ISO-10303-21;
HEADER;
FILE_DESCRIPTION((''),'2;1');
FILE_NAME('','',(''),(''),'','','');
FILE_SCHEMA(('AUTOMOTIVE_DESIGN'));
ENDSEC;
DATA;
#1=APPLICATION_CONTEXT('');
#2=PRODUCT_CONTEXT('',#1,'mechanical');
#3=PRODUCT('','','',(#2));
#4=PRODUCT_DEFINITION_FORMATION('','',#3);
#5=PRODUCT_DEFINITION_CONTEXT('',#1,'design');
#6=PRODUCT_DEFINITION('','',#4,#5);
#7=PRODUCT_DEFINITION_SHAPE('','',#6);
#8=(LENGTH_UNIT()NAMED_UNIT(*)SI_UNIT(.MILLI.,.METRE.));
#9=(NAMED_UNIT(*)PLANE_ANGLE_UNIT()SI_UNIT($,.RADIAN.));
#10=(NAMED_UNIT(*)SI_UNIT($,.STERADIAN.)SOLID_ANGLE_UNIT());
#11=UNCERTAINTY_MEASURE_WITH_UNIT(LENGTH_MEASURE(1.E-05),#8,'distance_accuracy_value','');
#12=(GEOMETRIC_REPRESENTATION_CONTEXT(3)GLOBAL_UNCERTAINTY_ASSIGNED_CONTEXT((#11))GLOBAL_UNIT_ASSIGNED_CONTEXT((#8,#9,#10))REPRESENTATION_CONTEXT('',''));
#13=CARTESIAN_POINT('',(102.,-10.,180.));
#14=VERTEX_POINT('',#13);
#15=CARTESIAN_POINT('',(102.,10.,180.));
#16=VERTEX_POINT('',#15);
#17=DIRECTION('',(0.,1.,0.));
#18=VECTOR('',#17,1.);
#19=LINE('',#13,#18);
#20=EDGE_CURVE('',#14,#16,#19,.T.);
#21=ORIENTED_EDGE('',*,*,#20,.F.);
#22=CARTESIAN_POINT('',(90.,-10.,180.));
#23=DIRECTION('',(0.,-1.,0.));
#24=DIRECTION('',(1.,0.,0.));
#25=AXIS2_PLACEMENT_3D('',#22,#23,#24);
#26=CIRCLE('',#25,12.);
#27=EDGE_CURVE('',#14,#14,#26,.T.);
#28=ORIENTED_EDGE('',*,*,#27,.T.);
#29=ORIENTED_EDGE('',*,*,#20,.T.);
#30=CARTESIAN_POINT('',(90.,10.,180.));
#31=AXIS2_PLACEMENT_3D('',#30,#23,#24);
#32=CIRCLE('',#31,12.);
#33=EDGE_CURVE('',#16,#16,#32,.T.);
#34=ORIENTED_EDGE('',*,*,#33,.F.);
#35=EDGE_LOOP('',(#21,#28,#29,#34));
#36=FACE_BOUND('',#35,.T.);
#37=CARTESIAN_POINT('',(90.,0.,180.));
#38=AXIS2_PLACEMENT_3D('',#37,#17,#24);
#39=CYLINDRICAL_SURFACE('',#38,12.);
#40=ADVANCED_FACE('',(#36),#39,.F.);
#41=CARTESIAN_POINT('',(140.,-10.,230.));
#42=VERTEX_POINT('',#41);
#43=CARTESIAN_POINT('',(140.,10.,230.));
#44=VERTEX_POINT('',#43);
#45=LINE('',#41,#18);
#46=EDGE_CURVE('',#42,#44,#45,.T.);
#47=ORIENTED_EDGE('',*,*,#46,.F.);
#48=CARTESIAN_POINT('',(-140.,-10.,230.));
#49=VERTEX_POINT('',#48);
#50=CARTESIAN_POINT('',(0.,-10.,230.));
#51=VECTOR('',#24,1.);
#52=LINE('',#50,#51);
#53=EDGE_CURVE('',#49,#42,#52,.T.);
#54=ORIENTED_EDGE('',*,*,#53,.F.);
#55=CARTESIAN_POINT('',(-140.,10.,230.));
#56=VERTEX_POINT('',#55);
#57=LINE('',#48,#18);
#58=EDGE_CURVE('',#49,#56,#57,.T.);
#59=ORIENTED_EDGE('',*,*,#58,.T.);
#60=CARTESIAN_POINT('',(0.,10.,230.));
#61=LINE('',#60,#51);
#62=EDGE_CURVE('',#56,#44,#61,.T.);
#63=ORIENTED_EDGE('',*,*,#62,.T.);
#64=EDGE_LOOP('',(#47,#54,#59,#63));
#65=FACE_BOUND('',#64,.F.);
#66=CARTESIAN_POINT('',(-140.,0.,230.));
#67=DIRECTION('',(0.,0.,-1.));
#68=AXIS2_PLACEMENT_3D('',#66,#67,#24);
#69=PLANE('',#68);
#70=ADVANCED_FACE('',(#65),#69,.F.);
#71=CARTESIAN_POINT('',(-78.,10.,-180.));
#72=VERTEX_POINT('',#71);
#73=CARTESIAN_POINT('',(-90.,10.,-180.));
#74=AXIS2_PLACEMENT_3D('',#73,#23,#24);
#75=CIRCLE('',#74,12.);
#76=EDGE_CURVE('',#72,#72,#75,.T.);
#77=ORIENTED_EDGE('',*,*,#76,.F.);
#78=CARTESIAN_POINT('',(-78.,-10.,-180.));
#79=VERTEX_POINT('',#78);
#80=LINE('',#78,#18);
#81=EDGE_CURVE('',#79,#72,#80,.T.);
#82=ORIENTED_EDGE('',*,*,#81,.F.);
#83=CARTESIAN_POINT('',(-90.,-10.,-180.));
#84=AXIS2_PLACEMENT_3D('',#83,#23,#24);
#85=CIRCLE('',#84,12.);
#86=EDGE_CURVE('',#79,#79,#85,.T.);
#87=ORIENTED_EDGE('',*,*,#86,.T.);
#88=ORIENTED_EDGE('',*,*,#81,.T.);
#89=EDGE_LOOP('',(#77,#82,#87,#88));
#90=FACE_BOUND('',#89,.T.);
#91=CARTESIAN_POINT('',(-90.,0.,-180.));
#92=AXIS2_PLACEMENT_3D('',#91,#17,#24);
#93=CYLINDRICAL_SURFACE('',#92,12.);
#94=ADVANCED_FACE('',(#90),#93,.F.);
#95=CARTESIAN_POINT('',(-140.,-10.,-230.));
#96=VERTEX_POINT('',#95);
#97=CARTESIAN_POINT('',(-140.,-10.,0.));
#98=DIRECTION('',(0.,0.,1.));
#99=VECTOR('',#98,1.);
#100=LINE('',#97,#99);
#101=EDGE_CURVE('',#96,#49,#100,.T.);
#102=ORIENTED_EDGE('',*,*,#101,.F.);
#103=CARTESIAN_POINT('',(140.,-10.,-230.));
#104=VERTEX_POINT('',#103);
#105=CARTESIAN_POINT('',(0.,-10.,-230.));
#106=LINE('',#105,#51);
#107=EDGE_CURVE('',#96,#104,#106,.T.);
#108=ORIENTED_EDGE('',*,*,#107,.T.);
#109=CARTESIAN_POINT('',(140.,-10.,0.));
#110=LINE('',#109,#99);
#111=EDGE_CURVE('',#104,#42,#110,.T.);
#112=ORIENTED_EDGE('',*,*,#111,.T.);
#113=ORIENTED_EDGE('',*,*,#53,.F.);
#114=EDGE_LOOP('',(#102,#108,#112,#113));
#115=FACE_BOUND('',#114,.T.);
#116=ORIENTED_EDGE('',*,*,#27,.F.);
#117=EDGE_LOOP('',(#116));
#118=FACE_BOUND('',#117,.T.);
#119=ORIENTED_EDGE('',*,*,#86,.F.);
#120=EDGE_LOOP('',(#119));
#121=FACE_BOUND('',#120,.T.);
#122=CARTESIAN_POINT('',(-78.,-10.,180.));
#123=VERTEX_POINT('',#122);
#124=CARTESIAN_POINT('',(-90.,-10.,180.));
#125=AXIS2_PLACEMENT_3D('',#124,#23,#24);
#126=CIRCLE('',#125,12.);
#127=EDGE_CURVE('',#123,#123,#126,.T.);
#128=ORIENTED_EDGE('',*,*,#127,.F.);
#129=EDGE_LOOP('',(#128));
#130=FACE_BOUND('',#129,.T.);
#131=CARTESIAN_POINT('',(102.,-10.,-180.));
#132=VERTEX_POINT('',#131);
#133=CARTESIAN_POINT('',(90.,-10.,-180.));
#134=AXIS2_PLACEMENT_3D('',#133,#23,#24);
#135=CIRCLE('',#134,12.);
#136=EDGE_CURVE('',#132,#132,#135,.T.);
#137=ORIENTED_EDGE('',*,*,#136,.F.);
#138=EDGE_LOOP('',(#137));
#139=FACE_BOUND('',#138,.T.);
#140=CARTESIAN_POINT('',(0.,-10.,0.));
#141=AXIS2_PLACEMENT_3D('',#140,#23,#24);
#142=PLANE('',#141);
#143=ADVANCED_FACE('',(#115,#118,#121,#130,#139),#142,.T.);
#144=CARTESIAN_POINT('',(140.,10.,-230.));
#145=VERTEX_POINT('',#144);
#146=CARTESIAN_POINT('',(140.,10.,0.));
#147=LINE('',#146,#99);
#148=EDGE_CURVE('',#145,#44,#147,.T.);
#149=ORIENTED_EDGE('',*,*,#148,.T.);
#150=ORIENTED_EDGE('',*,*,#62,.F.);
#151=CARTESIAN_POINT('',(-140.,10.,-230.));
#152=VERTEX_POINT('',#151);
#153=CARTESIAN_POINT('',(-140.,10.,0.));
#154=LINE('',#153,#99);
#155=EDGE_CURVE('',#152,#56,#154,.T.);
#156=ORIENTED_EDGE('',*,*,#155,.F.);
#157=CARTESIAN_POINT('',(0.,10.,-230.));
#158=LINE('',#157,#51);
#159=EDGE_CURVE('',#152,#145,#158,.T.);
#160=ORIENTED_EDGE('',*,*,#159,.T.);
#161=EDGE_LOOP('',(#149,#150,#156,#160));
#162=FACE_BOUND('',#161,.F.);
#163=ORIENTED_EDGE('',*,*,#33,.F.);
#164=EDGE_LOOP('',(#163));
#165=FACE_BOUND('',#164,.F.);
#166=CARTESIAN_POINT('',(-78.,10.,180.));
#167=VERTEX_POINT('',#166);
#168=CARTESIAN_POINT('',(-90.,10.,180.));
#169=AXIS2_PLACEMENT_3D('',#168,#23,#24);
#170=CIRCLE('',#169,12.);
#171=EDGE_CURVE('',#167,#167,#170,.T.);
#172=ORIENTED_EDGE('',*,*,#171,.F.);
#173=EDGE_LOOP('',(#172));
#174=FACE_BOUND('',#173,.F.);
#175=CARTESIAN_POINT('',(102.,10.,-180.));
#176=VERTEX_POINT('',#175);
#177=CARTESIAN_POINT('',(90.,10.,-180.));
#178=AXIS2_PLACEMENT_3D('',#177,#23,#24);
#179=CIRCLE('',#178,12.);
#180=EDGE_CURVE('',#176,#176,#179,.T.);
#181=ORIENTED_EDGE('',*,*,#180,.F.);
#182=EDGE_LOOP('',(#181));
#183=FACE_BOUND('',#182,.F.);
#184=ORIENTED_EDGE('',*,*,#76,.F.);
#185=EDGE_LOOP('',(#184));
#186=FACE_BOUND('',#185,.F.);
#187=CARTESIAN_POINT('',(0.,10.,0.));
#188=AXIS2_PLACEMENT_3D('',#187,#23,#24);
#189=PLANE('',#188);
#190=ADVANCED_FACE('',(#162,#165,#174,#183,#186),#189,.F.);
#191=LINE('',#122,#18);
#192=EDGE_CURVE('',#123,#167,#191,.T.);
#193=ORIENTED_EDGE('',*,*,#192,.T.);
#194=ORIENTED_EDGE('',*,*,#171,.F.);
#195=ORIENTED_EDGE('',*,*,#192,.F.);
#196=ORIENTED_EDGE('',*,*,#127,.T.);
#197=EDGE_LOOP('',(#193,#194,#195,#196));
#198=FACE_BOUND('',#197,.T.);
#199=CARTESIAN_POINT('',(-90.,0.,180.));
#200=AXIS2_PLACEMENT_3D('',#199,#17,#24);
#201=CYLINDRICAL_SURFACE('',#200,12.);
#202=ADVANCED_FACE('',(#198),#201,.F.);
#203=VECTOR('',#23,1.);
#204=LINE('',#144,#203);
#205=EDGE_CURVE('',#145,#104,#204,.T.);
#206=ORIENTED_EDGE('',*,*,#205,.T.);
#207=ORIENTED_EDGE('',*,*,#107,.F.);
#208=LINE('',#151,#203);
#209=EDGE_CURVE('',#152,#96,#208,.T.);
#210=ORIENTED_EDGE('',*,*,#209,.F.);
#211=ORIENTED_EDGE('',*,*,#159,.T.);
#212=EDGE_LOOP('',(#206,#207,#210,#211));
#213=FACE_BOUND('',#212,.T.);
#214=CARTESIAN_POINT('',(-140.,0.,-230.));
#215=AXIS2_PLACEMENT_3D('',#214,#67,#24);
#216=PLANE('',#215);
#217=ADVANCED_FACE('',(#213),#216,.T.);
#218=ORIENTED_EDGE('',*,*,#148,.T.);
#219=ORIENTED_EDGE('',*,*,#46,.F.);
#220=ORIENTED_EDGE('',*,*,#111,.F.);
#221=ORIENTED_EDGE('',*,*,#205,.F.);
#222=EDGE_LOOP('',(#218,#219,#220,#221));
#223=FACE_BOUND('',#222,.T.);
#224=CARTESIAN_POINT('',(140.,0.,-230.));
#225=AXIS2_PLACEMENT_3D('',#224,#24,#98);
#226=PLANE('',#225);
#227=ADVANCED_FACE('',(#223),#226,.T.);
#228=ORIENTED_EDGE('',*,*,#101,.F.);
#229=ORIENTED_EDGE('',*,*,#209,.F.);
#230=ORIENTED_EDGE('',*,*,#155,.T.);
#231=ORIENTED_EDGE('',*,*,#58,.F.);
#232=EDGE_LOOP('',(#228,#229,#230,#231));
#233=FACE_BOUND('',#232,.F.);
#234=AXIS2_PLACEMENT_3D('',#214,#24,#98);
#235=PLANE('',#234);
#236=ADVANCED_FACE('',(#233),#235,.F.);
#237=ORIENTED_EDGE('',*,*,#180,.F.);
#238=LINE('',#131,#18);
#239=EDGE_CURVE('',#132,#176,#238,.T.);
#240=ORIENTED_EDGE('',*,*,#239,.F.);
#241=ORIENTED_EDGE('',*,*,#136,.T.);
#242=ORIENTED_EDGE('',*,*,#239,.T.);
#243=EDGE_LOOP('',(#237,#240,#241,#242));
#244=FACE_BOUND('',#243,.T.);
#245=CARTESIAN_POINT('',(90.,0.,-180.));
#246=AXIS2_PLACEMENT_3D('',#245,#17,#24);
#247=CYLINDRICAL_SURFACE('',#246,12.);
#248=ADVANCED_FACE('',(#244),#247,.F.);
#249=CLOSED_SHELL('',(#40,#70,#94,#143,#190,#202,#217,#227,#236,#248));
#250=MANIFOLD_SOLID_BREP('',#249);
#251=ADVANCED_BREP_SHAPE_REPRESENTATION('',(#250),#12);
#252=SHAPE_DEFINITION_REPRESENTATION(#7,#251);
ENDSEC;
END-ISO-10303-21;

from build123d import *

# Parameters (mm, degrees)
F0_W     = 280
F0_H     = 460
F0_R     = 12
F1_DEPTH = 10


with BuildPart() as f1:
    # F0 (on Front) → F1 (new body, symmetric)
    with BuildSketch(Plane.XZ):
        Rectangle(F0_W, F0_H)
        with Locations((-90, -180)):
            Circle(F0_R, mode=Mode.SUBTRACT)
        with Locations((90, -180)):
            Circle(F0_R, mode=Mode.SUBTRACT)
        with Locations((-90, 180)):
            Circle(F0_R, mode=Mode.SUBTRACT)
        with Locations((90, 180)):
            Circle(F0_R, mode=Mode.SUBTRACT)
    extrude(amount=F1_DEPTH, both=True)


solid = f1.part
